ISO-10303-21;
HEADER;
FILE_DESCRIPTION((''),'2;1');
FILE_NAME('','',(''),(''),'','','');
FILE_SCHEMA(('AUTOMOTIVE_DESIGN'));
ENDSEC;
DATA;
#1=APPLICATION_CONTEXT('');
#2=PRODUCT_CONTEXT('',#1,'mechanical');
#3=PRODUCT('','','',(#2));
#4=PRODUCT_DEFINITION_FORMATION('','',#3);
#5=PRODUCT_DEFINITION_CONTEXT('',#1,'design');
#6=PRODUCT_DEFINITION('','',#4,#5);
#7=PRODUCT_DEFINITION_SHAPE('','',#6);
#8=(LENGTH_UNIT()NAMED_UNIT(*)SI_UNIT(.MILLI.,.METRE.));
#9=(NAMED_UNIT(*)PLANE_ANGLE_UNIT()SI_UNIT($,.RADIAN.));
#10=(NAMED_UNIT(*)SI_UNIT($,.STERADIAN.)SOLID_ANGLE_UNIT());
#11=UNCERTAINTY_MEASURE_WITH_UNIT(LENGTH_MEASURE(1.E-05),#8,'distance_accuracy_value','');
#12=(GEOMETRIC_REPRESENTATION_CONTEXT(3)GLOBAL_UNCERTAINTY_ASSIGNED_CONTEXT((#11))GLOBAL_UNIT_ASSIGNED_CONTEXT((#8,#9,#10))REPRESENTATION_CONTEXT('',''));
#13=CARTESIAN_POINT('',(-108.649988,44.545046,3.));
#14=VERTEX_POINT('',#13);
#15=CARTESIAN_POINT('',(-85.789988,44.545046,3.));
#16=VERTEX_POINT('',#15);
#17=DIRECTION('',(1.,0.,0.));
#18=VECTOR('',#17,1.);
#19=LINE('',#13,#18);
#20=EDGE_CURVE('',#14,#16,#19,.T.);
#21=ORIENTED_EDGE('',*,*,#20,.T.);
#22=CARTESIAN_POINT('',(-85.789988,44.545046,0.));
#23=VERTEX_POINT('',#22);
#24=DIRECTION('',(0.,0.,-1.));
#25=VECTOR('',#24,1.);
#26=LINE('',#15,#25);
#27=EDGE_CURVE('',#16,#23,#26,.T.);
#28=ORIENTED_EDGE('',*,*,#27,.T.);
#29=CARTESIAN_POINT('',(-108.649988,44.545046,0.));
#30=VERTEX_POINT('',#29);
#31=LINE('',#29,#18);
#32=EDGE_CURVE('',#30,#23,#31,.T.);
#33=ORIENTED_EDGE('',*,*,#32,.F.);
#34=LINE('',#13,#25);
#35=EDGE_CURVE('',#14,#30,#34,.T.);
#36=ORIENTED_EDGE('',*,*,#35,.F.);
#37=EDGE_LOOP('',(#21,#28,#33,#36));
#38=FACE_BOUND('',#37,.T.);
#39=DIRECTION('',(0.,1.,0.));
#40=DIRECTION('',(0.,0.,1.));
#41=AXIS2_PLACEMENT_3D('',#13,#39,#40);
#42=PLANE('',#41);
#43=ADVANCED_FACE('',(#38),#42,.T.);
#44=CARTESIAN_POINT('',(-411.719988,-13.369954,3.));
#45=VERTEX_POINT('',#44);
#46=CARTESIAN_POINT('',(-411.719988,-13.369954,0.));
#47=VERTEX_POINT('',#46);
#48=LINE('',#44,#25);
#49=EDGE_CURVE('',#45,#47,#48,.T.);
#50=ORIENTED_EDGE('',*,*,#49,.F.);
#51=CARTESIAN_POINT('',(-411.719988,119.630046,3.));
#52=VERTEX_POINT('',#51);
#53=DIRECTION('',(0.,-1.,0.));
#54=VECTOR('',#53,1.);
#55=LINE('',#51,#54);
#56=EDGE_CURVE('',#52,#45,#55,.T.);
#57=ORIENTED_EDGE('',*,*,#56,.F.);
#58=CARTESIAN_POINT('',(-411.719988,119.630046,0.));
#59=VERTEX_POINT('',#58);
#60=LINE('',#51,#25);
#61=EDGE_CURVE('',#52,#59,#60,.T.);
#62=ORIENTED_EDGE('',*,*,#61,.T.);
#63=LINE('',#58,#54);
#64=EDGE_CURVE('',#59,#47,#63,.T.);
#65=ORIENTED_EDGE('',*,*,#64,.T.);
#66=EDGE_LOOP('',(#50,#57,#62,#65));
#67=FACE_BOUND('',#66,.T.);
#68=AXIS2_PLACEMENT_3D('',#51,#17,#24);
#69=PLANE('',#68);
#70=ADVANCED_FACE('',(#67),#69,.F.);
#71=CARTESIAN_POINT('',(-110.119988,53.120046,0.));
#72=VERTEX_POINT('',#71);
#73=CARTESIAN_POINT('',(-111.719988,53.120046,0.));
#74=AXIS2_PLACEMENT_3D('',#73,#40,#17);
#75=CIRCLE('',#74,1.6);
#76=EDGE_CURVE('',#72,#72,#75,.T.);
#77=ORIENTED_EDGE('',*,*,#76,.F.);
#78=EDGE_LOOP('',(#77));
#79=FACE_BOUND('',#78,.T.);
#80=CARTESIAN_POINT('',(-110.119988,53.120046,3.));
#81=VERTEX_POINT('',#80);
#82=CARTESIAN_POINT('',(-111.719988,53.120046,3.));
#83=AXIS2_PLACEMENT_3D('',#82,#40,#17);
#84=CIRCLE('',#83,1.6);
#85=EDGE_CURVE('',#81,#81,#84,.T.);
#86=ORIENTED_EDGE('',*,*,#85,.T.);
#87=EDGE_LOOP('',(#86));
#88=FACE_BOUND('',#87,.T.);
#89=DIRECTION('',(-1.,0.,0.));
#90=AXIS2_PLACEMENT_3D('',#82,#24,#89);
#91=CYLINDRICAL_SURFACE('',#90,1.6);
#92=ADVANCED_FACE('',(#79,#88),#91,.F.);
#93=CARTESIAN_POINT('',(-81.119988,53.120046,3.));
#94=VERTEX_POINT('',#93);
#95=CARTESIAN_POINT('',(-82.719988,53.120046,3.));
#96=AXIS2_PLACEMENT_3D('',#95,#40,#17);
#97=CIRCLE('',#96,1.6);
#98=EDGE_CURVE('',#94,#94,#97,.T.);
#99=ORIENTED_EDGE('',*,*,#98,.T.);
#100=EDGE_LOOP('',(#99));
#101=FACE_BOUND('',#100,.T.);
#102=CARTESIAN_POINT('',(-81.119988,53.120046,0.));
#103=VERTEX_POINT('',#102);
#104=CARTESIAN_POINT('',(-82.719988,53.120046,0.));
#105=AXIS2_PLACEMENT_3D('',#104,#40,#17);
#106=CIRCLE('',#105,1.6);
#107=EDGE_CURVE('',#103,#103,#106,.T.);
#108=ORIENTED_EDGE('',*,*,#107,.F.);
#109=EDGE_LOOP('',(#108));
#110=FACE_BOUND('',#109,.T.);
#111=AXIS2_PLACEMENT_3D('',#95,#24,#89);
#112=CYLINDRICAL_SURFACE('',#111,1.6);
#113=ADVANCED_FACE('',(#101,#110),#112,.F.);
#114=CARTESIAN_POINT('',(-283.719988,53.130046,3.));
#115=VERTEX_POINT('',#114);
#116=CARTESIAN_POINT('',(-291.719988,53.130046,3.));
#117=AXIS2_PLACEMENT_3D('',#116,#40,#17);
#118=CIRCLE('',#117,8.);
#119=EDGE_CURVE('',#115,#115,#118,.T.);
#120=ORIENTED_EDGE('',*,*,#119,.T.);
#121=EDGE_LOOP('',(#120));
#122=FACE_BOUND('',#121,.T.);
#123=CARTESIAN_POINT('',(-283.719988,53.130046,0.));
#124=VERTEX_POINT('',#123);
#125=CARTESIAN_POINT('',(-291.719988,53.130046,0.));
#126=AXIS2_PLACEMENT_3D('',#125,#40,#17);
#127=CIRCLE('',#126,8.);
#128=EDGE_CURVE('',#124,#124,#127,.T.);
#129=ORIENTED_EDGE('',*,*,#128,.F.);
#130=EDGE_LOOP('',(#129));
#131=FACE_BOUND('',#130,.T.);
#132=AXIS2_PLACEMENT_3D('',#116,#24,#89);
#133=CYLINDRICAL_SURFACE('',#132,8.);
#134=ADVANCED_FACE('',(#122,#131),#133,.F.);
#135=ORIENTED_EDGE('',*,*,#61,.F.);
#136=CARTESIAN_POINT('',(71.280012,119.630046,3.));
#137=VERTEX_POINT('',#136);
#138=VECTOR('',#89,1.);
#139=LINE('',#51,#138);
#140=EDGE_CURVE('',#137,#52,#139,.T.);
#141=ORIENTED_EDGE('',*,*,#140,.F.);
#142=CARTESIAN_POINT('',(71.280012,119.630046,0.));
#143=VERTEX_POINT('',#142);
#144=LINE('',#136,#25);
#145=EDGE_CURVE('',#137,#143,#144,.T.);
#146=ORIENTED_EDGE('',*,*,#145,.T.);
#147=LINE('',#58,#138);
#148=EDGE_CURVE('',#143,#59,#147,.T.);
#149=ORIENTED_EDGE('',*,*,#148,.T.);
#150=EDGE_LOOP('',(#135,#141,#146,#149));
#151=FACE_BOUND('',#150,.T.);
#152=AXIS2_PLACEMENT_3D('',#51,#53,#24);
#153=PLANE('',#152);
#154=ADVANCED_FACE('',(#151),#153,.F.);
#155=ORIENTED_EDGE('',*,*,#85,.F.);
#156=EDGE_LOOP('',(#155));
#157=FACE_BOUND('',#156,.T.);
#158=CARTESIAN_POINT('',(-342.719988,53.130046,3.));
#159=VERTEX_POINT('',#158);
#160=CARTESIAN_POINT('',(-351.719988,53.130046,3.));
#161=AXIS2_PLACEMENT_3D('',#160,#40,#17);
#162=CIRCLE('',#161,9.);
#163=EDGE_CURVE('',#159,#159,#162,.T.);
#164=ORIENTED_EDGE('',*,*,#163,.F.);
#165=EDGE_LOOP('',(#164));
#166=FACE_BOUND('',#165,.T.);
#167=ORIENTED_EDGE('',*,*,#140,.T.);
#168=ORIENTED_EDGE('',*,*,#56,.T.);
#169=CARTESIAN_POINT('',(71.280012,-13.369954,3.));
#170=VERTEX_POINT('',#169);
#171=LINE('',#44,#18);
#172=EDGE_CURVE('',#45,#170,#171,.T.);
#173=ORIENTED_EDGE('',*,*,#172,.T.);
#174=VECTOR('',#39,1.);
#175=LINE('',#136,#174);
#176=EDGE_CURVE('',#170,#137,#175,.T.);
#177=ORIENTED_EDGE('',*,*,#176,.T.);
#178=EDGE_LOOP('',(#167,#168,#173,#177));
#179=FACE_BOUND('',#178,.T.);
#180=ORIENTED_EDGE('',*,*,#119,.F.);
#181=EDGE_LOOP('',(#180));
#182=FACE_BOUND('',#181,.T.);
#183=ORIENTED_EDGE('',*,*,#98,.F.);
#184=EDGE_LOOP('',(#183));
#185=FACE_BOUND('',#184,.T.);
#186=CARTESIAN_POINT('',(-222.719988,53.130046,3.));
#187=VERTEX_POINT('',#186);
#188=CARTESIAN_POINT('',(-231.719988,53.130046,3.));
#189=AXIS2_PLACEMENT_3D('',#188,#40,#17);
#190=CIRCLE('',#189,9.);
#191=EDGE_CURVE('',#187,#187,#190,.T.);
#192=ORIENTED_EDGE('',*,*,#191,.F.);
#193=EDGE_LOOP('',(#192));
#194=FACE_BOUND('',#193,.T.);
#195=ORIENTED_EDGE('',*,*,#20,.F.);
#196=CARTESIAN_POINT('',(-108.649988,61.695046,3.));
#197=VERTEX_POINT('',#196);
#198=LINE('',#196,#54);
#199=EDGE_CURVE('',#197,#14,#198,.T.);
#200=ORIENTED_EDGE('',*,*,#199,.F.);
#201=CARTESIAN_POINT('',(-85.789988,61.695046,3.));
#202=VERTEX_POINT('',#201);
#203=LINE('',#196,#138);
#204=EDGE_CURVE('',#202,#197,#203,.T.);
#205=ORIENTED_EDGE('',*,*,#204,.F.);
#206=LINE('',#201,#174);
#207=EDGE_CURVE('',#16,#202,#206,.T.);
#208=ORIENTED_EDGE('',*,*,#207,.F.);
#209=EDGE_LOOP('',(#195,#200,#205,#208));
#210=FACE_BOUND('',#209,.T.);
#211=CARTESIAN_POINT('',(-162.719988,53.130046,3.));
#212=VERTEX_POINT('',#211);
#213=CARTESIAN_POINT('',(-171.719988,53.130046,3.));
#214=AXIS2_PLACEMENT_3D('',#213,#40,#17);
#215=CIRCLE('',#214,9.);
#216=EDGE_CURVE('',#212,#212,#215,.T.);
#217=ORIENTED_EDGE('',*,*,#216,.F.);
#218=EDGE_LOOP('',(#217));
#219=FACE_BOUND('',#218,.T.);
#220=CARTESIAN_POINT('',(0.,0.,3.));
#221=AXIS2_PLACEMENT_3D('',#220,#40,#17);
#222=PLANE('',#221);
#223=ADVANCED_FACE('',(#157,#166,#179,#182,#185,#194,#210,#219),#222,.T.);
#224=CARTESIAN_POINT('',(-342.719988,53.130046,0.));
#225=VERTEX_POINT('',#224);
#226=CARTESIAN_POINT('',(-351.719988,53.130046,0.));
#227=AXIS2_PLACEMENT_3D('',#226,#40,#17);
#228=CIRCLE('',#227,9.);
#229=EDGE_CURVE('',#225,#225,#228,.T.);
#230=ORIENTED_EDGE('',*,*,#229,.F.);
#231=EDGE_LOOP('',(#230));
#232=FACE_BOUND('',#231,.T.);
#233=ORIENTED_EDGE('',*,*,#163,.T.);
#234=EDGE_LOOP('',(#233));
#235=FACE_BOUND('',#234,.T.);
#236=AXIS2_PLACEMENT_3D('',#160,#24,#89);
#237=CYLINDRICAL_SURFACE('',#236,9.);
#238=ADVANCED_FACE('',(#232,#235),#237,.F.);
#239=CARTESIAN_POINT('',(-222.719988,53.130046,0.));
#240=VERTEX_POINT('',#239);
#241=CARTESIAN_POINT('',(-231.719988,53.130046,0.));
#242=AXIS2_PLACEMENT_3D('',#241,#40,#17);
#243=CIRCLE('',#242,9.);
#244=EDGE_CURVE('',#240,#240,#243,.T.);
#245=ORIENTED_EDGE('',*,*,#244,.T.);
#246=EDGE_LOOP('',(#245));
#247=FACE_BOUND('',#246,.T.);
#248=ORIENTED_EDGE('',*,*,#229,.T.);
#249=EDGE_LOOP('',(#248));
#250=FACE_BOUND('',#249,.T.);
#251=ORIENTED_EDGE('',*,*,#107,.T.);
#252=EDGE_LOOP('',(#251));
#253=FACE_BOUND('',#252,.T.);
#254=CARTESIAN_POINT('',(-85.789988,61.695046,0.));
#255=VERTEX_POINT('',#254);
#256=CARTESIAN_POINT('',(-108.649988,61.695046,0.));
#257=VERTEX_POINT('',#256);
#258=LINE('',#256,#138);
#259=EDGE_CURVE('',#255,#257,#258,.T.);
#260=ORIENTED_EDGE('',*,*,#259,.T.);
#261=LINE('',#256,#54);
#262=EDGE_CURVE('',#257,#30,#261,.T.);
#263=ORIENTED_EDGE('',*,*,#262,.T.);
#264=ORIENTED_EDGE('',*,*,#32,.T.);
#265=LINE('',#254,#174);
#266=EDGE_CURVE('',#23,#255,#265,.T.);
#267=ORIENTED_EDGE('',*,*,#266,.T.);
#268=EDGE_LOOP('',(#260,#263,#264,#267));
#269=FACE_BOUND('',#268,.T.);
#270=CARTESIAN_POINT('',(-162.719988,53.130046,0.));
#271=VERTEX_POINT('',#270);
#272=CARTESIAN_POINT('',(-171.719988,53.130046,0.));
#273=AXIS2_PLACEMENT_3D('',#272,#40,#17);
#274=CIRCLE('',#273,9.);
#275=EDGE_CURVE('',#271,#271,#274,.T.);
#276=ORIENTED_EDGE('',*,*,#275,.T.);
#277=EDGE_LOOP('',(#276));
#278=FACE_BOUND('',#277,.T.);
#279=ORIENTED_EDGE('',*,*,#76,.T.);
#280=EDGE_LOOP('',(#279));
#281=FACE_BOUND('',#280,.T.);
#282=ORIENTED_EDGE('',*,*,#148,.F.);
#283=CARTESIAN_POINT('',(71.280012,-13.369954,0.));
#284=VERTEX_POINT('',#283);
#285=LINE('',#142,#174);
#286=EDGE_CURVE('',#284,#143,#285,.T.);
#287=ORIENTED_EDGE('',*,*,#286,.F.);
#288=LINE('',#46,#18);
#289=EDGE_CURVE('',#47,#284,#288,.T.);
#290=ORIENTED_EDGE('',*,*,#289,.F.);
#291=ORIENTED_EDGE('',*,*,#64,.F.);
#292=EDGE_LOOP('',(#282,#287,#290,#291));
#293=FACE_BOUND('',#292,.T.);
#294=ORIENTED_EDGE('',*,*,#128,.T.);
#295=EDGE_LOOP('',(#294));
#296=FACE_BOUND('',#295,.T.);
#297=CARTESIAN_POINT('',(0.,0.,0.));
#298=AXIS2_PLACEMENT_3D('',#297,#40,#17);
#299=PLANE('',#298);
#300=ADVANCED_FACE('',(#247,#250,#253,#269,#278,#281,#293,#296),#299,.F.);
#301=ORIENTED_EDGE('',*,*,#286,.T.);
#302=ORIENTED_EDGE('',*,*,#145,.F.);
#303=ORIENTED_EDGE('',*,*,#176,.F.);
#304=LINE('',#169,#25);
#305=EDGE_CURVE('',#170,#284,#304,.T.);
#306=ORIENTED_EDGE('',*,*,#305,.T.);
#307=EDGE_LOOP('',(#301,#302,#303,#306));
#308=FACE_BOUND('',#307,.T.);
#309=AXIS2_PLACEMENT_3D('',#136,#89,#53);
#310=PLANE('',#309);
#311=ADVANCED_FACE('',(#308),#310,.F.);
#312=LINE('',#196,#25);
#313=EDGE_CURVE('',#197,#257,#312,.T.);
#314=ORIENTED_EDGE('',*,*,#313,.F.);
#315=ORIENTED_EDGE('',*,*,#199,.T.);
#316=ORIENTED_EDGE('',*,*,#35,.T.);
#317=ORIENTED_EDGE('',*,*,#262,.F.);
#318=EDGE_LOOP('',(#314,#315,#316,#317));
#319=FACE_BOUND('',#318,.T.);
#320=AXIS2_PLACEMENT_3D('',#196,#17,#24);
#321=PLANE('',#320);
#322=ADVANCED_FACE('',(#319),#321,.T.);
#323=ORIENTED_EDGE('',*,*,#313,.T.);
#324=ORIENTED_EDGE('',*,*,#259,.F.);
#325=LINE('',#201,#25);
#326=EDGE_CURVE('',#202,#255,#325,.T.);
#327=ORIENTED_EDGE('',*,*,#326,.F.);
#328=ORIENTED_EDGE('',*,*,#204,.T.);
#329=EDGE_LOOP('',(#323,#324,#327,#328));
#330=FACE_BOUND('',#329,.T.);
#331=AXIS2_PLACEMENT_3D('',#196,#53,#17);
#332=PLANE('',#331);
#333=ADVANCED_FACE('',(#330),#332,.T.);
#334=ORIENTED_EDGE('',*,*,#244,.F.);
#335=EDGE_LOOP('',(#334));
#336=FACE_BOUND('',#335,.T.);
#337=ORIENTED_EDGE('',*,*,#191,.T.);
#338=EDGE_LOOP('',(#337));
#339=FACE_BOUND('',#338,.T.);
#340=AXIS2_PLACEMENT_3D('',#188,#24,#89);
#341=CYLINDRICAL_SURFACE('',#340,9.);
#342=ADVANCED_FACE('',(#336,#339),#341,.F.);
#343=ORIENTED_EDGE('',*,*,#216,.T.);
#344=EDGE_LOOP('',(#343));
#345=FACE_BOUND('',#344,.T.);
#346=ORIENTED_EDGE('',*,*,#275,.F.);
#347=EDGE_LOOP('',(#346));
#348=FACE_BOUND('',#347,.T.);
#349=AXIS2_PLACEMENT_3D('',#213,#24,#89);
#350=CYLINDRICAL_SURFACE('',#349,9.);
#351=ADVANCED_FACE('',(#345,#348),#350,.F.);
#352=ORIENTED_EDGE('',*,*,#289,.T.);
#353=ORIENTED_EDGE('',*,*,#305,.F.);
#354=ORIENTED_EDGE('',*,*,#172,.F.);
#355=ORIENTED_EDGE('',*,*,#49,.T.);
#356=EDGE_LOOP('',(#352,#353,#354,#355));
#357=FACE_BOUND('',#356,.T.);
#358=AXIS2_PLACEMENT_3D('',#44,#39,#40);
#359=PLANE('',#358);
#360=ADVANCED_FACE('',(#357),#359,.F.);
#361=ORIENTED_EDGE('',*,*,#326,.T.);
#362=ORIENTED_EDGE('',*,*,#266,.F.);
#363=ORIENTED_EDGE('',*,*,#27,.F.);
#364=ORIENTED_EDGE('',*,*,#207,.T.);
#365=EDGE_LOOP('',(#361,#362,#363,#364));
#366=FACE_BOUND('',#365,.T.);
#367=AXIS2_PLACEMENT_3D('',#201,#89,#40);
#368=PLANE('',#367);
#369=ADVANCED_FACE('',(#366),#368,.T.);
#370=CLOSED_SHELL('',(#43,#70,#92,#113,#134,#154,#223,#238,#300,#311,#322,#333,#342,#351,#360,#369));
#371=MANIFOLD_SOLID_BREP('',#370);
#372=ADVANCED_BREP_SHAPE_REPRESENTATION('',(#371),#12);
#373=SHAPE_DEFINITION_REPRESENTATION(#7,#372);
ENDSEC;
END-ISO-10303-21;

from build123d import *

# Parameters (mm, degrees)
ESQUISSE1_W        = 483
ESQUISSE1_H        = 133
ESQUISSE1_R        = 8
ESQUISSE1_R_2      = 9
ESQUISSE1_R_3      = 1.6
ESQUISSE1_W_2      = 22.86
ESQUISSE1_H_2      = 17.15
BOSS_EXTRU_1_DEPTH = 3


with BuildPart() as part:
    # Esquisse1 → Boss.-Extru.1 (new body)
    with BuildSketch(Plane.XY):
        with Locations((-170.219987768, 53.130045872)):
            Rectangle(ESQUISSE1_W, ESQUISSE1_H)
        with Locations((-291.719987768, 53.130045872)):
            Circle(ESQUISSE1_R, mode=Mode.SUBTRACT)
        with Locations((-351.719987768, 53.130045872)):
            Circle(ESQUISSE1_R_2, mode=Mode.SUBTRACT)
        with Locations((-231.719987768, 53.130045872)):
            Circle(ESQUISSE1_R_2, mode=Mode.SUBTRACT)
        with Locations((-171.719987768, 53.130045872)):
            Circle(ESQUISSE1_R_2, mode=Mode.SUBTRACT)
        with Locations((-111.719987768, 53.120045872)):
            Circle(ESQUISSE1_R_3, mode=Mode.SUBTRACT)
        with Locations((-82.719987768, 53.120045872)):
            Circle(ESQUISSE1_R_3, mode=Mode.SUBTRACT)
        with Locations((-97.219987768, 53.120045872)):
            Rectangle(ESQUISSE1_W_2, ESQUISSE1_H_2, mode=Mode.SUBTRACT)
    extrude(amount=BOSS_EXTRU_1_DEPTH)


solid = part.part
